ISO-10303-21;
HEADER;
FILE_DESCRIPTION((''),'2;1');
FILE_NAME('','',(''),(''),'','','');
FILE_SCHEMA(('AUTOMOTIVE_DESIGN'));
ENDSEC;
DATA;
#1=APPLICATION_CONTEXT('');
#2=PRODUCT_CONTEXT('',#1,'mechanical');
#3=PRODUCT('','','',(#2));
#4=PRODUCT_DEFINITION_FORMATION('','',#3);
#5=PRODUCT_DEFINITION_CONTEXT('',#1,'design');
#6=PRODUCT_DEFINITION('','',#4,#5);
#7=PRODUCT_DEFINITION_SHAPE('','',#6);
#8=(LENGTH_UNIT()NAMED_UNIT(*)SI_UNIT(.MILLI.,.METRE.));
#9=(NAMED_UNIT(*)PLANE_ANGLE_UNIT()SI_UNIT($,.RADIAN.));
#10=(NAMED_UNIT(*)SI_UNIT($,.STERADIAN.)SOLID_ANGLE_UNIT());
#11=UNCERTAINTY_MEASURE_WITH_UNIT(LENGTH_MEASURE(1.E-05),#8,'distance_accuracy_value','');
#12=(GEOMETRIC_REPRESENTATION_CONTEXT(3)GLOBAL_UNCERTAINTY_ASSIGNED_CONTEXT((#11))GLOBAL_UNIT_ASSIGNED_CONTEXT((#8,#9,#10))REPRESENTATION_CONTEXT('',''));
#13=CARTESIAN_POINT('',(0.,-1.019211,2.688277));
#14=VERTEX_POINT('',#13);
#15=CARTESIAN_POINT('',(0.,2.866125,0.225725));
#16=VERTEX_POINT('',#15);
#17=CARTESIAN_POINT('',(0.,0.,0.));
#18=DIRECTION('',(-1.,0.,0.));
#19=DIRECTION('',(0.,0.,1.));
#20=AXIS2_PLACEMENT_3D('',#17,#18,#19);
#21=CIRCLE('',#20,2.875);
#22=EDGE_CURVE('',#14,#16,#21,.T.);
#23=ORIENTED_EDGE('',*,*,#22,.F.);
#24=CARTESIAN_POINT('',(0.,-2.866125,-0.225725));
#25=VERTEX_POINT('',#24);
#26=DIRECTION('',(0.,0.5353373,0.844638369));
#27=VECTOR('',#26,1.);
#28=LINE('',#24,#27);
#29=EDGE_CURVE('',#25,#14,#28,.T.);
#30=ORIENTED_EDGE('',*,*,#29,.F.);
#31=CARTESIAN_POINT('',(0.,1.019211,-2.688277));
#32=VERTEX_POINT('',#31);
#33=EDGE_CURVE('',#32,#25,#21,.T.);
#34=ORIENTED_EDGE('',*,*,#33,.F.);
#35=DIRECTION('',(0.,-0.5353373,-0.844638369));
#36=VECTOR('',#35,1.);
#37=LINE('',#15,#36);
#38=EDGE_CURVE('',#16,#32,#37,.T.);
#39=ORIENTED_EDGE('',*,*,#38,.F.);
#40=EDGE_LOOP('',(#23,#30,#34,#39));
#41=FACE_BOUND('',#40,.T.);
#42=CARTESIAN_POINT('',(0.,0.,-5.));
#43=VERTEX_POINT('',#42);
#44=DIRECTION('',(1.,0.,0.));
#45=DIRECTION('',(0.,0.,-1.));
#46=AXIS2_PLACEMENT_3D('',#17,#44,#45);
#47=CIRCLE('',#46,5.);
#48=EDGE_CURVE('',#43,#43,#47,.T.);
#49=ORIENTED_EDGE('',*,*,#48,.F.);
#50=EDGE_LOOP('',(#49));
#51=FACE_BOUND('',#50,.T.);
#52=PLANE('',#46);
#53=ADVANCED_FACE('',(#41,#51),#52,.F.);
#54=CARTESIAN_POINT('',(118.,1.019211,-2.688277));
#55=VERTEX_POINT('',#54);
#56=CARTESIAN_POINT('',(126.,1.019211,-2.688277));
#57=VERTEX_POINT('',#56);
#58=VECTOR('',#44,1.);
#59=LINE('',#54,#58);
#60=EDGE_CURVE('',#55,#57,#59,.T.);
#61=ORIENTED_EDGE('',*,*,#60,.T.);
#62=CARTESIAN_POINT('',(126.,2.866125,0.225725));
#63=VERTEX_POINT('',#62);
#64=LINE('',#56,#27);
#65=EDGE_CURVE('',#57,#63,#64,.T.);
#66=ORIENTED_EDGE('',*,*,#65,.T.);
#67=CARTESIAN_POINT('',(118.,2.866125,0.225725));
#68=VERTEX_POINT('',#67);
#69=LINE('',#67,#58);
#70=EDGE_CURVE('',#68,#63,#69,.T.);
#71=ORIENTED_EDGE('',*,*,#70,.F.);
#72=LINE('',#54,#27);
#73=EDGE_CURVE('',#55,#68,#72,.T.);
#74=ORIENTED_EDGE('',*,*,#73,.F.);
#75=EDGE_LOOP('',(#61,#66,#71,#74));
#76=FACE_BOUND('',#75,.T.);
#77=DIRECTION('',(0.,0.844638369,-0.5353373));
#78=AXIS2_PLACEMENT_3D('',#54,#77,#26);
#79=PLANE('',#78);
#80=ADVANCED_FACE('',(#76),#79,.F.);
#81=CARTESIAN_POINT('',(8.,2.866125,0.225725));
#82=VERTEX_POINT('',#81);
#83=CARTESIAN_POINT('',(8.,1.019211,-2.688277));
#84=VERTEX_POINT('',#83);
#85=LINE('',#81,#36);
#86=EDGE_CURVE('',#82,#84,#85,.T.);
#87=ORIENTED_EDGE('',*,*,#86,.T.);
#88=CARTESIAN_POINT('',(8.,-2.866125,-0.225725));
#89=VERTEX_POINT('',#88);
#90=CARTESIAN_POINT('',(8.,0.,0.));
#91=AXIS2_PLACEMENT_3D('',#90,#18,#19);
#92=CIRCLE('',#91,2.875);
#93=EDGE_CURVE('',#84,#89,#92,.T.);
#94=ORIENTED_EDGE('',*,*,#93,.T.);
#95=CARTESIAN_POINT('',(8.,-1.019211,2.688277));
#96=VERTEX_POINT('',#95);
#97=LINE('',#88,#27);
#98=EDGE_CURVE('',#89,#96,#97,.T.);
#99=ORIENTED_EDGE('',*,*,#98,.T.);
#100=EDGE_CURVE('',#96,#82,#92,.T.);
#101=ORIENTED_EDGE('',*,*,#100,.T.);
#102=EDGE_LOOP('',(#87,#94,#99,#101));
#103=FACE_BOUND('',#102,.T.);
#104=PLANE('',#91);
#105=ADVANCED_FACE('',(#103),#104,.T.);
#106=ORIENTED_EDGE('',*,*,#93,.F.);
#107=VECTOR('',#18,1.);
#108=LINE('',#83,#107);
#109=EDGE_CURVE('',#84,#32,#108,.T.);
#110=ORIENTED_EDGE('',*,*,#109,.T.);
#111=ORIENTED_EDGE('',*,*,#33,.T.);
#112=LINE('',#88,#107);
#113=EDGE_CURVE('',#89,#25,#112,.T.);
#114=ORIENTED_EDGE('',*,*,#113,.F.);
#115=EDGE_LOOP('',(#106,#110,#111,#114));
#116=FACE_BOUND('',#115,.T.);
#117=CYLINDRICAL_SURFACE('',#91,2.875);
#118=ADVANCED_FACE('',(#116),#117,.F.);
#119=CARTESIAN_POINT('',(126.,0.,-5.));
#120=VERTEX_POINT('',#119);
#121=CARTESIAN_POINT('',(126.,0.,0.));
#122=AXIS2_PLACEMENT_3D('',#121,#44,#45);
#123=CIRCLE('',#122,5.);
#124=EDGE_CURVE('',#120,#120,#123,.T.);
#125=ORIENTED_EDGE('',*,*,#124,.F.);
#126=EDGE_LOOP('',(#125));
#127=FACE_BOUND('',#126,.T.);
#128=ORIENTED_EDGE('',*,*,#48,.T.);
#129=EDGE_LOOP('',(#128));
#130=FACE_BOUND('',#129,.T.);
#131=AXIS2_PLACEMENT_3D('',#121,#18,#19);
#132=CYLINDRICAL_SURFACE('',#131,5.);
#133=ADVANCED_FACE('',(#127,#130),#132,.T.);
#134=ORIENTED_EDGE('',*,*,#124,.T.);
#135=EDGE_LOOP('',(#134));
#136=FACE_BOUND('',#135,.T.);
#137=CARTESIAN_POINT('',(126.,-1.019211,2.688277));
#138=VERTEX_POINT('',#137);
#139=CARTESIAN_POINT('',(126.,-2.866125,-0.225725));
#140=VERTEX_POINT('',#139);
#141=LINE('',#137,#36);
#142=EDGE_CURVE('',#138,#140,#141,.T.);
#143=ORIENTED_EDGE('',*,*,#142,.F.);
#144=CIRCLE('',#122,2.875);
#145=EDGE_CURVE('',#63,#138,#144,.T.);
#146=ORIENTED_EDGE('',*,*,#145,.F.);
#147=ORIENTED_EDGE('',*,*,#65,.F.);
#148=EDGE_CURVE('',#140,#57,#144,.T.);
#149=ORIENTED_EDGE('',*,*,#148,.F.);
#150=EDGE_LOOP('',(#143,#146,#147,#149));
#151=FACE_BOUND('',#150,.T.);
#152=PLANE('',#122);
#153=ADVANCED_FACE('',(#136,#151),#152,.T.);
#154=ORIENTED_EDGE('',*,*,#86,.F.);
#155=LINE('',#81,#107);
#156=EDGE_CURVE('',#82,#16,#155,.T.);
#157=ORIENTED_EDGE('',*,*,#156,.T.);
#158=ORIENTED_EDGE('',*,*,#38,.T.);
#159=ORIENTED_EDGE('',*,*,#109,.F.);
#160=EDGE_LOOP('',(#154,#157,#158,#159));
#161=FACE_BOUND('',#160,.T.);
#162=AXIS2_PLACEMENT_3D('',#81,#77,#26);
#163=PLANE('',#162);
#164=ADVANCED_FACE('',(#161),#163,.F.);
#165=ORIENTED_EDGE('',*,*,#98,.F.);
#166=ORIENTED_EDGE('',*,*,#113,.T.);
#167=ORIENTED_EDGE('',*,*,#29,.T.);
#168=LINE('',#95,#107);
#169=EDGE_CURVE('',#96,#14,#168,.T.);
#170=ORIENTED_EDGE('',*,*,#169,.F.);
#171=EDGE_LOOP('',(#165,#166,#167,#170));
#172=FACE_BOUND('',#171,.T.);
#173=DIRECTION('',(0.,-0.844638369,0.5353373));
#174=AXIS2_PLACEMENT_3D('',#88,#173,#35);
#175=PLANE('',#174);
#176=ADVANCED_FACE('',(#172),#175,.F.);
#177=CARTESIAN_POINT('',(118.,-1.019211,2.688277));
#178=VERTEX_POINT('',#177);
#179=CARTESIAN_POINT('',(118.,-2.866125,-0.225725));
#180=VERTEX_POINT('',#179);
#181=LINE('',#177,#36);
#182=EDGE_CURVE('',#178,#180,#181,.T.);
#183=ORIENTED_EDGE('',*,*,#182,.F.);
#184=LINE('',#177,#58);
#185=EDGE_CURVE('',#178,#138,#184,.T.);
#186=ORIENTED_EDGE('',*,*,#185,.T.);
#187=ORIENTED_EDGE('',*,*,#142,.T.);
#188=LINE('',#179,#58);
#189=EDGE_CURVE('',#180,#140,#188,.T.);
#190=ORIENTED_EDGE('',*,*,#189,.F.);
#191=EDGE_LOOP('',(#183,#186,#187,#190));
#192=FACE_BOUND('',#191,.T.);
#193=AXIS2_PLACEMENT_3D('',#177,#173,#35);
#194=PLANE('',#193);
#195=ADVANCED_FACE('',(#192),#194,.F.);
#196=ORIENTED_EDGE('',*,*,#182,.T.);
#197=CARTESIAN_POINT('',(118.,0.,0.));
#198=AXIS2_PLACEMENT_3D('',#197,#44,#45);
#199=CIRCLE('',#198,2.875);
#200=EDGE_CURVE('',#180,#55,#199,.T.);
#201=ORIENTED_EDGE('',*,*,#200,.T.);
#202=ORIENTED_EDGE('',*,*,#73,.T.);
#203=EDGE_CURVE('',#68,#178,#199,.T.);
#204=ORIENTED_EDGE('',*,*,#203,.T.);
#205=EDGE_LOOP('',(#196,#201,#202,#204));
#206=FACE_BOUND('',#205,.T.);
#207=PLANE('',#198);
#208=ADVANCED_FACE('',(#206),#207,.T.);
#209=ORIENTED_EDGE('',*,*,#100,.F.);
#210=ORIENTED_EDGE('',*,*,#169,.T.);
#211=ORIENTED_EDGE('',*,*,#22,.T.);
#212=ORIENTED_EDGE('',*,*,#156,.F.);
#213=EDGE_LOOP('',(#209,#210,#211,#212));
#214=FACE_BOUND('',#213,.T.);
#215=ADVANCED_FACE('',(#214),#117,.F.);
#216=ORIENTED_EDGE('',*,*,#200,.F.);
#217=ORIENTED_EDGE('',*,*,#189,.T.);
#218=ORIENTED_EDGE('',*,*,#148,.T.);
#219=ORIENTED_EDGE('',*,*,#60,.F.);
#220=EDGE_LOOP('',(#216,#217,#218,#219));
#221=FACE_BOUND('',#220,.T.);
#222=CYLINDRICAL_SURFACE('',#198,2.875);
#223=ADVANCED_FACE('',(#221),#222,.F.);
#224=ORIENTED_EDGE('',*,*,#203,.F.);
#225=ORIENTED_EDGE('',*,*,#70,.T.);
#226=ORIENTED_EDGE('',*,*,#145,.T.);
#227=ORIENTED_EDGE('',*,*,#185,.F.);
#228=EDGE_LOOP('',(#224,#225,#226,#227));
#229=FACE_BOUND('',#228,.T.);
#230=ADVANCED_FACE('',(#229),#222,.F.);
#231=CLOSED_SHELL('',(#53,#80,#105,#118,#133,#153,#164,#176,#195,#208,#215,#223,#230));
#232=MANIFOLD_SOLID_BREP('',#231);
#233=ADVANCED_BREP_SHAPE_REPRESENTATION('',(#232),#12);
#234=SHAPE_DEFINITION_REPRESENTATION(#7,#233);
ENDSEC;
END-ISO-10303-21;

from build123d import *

# Parameters (mm, degrees)
SKETCH1_R           = 5
BOSS_EXTRUDE1_DEPTH = 126
CUT_EXTRUDE1_DEPTH  = 8
CUT_EXTRUDE2_START  = -8
CUT_EXTRUDE2_DEPTH  = 8


with BuildPart() as part:
    # Sketch1 → Boss-Extrude1 (new body)
    with BuildSketch(Plane(origin=(0, 0, 0), x_dir=(0, 0, -1), z_dir=(1, 0, 0))):
        Circle(SKETCH1_R)
    extrude(amount=BOSS_EXTRUDE1_DEPTH)

    # Sketch2 → Cut-Extrude1 (cut)
    with BuildSketch(Plane(origin=(126, 0, 0), x_dir=(0, 0, -1), z_dir=(1, 0, 0))):
        with BuildLine():
            Line((-2.688276978, -1.019211407), (0.225725397, -2.866125092))
            ThreePointArc((0.225725397, -2.866125092), (2.428335312, -1.539094738), (2.688276978, 1.019211407))
            Line((2.688276978, 1.019211407), (-0.225725397, 2.866125092))
            ThreePointArc((-0.225725397, 2.866125092), (-2.428335312, 1.539094738), (-2.688276978, -1.019211407))
        make_face()
    extrude(amount=-CUT_EXTRUDE1_DEPTH, mode=Mode.SUBTRACT)

    # Sketch3 → Cut-Extrude2 (cut)
    with BuildSketch(Plane.ZY.offset(CUT_EXTRUDE2_START)):
        with BuildLine():
            Line((0.225725397, 2.866125092), (-2.688276978, 1.019211407))
            ThreePointArc((-2.688276978, 1.019211407), (-2.428335312, -1.539094738), (-0.225725397, -2.866125092))
            Line((-0.225725397, -2.866125092), (2.688276978, -1.019211407))
            ThreePointArc((2.688276978, -1.019211407), (2.428335312, 1.539094738), (0.225725397, 2.866125092))
        make_face()
    extrude(amount=CUT_EXTRUDE2_DEPTH, mode=Mode.SUBTRACT)


solid = part.part
